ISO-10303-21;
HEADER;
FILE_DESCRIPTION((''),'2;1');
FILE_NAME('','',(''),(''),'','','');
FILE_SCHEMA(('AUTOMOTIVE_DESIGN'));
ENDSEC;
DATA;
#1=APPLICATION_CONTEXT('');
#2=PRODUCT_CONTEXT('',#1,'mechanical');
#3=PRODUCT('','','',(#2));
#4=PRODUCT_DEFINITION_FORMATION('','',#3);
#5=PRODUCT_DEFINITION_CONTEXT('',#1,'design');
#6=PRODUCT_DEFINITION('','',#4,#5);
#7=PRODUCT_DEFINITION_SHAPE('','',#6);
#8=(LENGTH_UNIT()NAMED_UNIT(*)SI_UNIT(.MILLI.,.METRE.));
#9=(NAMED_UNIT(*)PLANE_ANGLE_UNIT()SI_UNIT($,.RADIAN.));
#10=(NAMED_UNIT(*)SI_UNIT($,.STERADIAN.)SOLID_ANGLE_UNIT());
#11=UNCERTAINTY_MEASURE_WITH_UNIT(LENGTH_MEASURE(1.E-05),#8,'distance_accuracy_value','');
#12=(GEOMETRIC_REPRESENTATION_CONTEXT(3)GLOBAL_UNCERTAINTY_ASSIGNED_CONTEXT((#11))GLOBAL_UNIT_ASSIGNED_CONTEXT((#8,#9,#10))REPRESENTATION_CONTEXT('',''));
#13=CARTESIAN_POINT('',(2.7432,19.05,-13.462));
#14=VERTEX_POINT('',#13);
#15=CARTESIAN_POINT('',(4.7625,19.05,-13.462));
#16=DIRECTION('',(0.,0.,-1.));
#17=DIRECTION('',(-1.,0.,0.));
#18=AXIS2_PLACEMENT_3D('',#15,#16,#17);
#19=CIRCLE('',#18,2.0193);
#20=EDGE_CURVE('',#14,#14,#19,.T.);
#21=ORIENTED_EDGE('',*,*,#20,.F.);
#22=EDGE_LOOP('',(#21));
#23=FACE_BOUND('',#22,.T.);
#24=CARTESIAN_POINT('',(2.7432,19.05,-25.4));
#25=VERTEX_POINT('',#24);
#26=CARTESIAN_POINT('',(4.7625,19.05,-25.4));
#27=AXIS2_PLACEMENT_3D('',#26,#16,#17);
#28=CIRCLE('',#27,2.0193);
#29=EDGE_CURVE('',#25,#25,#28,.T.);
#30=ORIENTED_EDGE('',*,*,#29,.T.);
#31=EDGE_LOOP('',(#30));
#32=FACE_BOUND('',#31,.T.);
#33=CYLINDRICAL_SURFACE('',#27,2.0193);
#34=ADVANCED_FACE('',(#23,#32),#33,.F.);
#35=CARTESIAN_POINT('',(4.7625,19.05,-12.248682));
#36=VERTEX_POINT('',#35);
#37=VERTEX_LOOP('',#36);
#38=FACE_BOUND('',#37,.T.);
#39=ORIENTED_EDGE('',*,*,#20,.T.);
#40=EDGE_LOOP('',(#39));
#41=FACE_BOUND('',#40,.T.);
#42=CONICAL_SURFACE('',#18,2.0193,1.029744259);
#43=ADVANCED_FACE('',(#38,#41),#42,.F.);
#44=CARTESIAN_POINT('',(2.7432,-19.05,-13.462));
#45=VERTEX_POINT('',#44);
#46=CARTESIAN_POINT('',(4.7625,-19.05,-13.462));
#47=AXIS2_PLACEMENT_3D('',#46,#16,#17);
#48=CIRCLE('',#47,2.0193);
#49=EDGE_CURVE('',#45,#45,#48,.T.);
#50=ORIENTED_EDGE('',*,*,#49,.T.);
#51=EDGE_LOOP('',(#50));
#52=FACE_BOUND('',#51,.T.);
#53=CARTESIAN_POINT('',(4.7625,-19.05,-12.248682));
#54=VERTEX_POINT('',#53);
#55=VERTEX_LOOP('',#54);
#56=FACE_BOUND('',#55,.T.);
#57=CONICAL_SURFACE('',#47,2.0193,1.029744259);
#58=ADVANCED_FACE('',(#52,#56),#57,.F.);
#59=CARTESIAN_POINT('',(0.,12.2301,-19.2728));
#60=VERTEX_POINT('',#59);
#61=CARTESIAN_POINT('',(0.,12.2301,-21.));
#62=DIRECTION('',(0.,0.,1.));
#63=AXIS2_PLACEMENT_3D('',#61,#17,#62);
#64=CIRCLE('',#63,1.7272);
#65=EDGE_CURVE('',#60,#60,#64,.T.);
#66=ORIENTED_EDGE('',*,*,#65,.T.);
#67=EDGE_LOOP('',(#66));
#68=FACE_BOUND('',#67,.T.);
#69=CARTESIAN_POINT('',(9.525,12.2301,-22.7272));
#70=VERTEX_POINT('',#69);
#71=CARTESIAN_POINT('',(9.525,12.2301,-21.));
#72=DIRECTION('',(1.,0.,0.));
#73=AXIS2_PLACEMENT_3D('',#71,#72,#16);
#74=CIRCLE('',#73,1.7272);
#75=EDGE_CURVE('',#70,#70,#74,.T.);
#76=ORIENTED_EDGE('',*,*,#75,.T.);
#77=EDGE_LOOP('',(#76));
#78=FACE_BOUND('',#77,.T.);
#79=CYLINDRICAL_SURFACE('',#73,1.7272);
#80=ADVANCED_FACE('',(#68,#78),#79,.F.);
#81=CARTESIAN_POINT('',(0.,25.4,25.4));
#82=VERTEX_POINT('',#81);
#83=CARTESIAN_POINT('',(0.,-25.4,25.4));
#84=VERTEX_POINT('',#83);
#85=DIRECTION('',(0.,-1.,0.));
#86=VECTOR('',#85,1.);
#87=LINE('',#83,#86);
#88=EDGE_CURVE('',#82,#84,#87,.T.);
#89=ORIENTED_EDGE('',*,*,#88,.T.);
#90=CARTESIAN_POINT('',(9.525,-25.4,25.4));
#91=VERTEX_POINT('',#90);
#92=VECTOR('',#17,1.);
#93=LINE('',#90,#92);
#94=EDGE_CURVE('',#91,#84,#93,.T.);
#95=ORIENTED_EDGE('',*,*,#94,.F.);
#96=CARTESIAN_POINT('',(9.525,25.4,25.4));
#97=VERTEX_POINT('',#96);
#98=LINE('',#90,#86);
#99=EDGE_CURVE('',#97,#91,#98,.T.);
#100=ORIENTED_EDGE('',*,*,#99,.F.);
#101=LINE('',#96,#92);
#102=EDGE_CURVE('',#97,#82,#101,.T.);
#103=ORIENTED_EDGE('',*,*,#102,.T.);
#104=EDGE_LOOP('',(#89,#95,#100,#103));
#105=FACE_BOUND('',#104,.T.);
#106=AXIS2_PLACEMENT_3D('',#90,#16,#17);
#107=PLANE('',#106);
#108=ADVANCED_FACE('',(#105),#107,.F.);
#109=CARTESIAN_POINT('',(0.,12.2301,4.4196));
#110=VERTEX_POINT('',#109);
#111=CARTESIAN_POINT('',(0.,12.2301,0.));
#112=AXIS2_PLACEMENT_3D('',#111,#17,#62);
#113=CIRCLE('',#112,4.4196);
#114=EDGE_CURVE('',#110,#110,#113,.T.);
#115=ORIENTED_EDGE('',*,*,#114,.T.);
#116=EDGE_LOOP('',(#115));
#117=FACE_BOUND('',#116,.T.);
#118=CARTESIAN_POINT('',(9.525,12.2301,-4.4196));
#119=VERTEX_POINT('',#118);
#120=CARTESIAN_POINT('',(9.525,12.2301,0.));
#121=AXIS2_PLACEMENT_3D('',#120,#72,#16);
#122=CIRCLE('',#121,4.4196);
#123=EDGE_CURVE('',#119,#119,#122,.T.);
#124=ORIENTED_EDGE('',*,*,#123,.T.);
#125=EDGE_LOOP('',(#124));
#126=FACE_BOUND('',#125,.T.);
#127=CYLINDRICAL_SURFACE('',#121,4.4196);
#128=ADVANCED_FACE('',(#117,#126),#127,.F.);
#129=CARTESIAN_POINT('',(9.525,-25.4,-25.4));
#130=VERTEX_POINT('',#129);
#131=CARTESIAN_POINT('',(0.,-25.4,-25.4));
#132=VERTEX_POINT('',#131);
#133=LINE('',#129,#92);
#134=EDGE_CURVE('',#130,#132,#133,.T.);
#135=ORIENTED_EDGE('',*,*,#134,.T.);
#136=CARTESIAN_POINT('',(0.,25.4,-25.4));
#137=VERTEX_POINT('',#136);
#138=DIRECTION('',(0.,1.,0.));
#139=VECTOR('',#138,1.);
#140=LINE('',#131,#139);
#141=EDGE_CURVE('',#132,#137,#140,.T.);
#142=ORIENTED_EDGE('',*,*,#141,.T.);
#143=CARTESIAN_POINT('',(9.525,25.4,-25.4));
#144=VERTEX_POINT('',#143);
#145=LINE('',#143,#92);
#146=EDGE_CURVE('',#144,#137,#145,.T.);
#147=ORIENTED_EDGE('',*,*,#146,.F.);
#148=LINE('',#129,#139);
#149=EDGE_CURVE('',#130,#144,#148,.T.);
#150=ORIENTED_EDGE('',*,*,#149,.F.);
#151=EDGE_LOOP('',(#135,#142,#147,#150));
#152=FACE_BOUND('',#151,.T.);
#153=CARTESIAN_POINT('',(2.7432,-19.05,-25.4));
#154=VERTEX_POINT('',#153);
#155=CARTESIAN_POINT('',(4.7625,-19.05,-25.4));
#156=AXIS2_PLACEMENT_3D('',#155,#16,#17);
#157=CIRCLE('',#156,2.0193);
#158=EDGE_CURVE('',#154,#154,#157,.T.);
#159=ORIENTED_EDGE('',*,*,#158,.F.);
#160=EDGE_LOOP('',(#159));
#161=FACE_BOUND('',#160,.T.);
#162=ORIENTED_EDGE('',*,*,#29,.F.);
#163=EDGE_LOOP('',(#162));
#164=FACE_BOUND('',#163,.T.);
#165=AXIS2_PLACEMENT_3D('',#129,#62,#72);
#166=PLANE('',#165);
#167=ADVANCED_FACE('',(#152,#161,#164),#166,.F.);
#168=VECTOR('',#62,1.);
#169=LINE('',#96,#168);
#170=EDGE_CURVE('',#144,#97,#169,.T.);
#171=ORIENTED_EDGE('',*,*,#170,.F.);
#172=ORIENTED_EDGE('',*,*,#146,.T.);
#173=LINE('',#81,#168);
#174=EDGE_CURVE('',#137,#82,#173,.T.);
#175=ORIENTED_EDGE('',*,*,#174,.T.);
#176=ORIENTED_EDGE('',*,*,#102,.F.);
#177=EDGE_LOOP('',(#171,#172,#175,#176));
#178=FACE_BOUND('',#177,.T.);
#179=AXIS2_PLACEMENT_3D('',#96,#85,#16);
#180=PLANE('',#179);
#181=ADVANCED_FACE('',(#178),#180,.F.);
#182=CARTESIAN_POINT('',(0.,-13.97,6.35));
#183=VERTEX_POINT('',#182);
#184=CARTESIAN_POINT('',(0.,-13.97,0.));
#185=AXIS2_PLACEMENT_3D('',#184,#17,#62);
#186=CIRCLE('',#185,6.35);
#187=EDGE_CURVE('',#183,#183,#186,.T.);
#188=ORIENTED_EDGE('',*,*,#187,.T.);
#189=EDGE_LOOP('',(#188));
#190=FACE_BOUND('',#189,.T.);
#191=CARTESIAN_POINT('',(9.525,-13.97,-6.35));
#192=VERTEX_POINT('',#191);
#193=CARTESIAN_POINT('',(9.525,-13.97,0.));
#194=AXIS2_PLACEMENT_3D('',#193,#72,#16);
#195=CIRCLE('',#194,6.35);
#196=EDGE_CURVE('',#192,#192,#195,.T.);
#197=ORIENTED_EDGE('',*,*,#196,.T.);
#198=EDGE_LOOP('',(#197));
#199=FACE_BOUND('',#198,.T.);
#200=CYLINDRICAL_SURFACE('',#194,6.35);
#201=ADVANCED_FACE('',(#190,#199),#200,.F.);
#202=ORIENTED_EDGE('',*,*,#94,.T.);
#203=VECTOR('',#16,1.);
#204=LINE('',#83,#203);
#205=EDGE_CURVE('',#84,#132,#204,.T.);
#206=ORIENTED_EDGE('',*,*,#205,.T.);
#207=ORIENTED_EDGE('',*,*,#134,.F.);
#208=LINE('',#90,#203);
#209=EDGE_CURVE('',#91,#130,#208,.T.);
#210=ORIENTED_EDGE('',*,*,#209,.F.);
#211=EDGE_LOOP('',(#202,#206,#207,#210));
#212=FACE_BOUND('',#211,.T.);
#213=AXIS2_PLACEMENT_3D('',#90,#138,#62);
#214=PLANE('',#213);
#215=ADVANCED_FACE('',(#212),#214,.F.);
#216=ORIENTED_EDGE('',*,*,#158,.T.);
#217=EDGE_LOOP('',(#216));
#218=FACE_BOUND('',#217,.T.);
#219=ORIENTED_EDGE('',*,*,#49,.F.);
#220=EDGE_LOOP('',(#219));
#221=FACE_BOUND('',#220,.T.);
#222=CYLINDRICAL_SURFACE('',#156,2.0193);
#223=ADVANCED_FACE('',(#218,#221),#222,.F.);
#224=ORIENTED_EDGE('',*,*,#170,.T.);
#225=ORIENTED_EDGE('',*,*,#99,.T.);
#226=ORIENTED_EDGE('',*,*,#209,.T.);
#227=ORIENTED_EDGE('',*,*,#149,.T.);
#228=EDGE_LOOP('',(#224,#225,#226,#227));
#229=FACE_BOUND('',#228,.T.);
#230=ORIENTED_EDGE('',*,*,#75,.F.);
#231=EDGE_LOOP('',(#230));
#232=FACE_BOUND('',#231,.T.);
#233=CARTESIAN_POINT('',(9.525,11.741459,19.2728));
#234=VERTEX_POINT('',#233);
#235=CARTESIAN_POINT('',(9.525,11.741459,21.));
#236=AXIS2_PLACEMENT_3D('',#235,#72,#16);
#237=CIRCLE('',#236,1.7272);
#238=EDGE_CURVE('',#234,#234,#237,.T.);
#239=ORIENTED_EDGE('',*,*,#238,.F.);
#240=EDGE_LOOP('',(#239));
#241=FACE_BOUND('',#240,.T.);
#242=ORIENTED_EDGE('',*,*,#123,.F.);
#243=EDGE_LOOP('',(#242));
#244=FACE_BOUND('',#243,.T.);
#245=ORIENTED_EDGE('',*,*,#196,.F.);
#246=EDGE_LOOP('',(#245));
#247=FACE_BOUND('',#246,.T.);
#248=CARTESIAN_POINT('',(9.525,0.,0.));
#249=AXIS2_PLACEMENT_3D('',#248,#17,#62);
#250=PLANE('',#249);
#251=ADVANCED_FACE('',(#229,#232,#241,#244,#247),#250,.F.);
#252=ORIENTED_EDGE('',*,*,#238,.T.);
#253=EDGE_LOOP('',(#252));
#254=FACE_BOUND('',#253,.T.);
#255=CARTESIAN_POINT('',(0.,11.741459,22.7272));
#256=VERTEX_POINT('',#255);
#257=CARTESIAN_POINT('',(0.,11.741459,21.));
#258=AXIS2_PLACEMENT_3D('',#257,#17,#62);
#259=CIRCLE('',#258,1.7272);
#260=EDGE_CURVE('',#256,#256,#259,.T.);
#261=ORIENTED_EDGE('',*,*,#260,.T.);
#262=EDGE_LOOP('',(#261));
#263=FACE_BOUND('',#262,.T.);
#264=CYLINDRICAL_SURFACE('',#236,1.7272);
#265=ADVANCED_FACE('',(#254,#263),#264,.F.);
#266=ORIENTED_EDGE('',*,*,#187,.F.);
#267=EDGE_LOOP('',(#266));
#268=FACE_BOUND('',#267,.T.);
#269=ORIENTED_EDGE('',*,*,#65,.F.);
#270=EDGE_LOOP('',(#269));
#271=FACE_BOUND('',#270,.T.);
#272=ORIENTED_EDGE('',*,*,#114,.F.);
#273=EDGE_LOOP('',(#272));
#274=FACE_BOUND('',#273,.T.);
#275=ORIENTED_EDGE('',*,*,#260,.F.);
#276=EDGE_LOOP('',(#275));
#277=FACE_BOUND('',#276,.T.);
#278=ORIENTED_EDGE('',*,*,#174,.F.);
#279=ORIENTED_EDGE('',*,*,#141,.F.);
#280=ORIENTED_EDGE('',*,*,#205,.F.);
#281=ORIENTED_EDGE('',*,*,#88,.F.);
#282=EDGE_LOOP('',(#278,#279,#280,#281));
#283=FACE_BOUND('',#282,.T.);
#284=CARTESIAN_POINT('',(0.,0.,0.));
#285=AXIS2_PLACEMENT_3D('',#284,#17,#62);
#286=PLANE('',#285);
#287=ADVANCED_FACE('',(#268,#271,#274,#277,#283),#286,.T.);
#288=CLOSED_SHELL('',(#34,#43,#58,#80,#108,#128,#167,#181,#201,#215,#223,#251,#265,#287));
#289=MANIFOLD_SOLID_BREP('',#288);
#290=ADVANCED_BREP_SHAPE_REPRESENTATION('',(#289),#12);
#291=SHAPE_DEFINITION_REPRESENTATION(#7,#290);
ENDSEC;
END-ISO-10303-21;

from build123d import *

# Parameters (mm, degrees)
SKETCH1_W                       = 50.8
SKETCH1_H                       = 50.8
BOSS_EXTRUDE1_DEPTH             = 9.525
F_1_2_0_5_DIAMETER_HOLE1_D      = 12.7
F_1_2_0_5_DIAMETER_HOLE1_DEPTH  = 70.104
F_1_2_0_5_DIAMETER_HOLE1_TIP    = 3.815464931
S_0_348_DIAMETER_HOLE1_D        = 8.8392
S_0_348_DIAMETER_HOLE1_DEPTH    = 70.104
S_0_348_DIAMETER_HOLE1_TIP      = 2.655563592
F_29_0_136_DIAMETER_HOLE1_D     = 3.4544
F_29_0_136_DIAMETER_HOLE1_DEPTH = 70.104
F_29_0_136_DIAMETER_HOLE1_TIP   = 1.037806461
F_10_32_TAPPED_HOLE1_D          = 4.0386
F_10_32_TAPPED_HOLE1_DEPTH      = 11.938
F_10_32_TAPPED_HOLE1_TIP        = 1.213317848


with BuildPart() as part:
    # Sketch1 → Boss-Extrude1 (new body)
    with BuildSketch(Plane(origin=(0, 0, 0), x_dir=(0, 0, -1), z_dir=(1, 0, 0))):
        Rectangle(SKETCH1_W, SKETCH1_H)
    extrude(amount=BOSS_EXTRUDE1_DEPTH)

    # 1/2 (0.5) Diameter Hole1
    with Locations(Plane(origin=(9.525, 0, 0), x_dir=(0, 0, -1), z_dir=(1, 0, 0))):
        with Locations((0, -13.97)):
            Hole(F_1_2_0_5_DIAMETER_HOLE1_D / 2, depth=F_1_2_0_5_DIAMETER_HOLE1_DEPTH)
            with Locations((0, 0, -(F_1_2_0_5_DIAMETER_HOLE1_DEPTH + F_1_2_0_5_DIAMETER_HOLE1_TIP / 2))):  # 118° drill point
                Cone(0, F_1_2_0_5_DIAMETER_HOLE1_D / 2, F_1_2_0_5_DIAMETER_HOLE1_TIP, mode=Mode.SUBTRACT)

    # S (0.348) Diameter Hole1
    with Locations(Plane(origin=(9.525, 0, 0), x_dir=(0, 0, -1), z_dir=(1, 0, 0))):
        with Locations((0, 12.2301)):
            Hole(S_0_348_DIAMETER_HOLE1_D / 2, depth=S_0_348_DIAMETER_HOLE1_DEPTH)
            with Locations((0, 0, -(S_0_348_DIAMETER_HOLE1_DEPTH + S_0_348_DIAMETER_HOLE1_TIP / 2))):  # 118° drill point
                Cone(0, S_0_348_DIAMETER_HOLE1_D / 2, S_0_348_DIAMETER_HOLE1_TIP, mode=Mode.SUBTRACT)

    # #29 (0.136) Diameter Hole1
    with Locations(Plane(origin=(9.525, 0, 0), x_dir=(0, 0, -1), z_dir=(1, 0, 0))):
        with Locations((21, 12.2301), (-21, 11.74145915)):
            Hole(F_29_0_136_DIAMETER_HOLE1_D / 2, depth=F_29_0_136_DIAMETER_HOLE1_DEPTH)
            with Locations((0, 0, -(F_29_0_136_DIAMETER_HOLE1_DEPTH + F_29_0_136_DIAMETER_HOLE1_TIP / 2))):  # 118° drill point
                Cone(0, F_29_0_136_DIAMETER_HOLE1_D / 2, F_29_0_136_DIAMETER_HOLE1_TIP, mode=Mode.SUBTRACT)

    # #10-32 Tapped Hole1
    with Locations(Plane(origin=(-0.669296778, 7.980106856, -25.4), x_dir=(-1, 0, 0), z_dir=(0, 0, -1))):
        with Locations((-5.431796778, -27.030106856), (-5.431796778, 11.069893144)):
            Hole(F_10_32_TAPPED_HOLE1_D / 2, depth=F_10_32_TAPPED_HOLE1_DEPTH)
            with Locations((0, 0, -(F_10_32_TAPPED_HOLE1_DEPTH + F_10_32_TAPPED_HOLE1_TIP / 2))):  # 118° drill point
                Cone(0, F_10_32_TAPPED_HOLE1_D / 2, F_10_32_TAPPED_HOLE1_TIP, mode=Mode.SUBTRACT)


solid = part.part
